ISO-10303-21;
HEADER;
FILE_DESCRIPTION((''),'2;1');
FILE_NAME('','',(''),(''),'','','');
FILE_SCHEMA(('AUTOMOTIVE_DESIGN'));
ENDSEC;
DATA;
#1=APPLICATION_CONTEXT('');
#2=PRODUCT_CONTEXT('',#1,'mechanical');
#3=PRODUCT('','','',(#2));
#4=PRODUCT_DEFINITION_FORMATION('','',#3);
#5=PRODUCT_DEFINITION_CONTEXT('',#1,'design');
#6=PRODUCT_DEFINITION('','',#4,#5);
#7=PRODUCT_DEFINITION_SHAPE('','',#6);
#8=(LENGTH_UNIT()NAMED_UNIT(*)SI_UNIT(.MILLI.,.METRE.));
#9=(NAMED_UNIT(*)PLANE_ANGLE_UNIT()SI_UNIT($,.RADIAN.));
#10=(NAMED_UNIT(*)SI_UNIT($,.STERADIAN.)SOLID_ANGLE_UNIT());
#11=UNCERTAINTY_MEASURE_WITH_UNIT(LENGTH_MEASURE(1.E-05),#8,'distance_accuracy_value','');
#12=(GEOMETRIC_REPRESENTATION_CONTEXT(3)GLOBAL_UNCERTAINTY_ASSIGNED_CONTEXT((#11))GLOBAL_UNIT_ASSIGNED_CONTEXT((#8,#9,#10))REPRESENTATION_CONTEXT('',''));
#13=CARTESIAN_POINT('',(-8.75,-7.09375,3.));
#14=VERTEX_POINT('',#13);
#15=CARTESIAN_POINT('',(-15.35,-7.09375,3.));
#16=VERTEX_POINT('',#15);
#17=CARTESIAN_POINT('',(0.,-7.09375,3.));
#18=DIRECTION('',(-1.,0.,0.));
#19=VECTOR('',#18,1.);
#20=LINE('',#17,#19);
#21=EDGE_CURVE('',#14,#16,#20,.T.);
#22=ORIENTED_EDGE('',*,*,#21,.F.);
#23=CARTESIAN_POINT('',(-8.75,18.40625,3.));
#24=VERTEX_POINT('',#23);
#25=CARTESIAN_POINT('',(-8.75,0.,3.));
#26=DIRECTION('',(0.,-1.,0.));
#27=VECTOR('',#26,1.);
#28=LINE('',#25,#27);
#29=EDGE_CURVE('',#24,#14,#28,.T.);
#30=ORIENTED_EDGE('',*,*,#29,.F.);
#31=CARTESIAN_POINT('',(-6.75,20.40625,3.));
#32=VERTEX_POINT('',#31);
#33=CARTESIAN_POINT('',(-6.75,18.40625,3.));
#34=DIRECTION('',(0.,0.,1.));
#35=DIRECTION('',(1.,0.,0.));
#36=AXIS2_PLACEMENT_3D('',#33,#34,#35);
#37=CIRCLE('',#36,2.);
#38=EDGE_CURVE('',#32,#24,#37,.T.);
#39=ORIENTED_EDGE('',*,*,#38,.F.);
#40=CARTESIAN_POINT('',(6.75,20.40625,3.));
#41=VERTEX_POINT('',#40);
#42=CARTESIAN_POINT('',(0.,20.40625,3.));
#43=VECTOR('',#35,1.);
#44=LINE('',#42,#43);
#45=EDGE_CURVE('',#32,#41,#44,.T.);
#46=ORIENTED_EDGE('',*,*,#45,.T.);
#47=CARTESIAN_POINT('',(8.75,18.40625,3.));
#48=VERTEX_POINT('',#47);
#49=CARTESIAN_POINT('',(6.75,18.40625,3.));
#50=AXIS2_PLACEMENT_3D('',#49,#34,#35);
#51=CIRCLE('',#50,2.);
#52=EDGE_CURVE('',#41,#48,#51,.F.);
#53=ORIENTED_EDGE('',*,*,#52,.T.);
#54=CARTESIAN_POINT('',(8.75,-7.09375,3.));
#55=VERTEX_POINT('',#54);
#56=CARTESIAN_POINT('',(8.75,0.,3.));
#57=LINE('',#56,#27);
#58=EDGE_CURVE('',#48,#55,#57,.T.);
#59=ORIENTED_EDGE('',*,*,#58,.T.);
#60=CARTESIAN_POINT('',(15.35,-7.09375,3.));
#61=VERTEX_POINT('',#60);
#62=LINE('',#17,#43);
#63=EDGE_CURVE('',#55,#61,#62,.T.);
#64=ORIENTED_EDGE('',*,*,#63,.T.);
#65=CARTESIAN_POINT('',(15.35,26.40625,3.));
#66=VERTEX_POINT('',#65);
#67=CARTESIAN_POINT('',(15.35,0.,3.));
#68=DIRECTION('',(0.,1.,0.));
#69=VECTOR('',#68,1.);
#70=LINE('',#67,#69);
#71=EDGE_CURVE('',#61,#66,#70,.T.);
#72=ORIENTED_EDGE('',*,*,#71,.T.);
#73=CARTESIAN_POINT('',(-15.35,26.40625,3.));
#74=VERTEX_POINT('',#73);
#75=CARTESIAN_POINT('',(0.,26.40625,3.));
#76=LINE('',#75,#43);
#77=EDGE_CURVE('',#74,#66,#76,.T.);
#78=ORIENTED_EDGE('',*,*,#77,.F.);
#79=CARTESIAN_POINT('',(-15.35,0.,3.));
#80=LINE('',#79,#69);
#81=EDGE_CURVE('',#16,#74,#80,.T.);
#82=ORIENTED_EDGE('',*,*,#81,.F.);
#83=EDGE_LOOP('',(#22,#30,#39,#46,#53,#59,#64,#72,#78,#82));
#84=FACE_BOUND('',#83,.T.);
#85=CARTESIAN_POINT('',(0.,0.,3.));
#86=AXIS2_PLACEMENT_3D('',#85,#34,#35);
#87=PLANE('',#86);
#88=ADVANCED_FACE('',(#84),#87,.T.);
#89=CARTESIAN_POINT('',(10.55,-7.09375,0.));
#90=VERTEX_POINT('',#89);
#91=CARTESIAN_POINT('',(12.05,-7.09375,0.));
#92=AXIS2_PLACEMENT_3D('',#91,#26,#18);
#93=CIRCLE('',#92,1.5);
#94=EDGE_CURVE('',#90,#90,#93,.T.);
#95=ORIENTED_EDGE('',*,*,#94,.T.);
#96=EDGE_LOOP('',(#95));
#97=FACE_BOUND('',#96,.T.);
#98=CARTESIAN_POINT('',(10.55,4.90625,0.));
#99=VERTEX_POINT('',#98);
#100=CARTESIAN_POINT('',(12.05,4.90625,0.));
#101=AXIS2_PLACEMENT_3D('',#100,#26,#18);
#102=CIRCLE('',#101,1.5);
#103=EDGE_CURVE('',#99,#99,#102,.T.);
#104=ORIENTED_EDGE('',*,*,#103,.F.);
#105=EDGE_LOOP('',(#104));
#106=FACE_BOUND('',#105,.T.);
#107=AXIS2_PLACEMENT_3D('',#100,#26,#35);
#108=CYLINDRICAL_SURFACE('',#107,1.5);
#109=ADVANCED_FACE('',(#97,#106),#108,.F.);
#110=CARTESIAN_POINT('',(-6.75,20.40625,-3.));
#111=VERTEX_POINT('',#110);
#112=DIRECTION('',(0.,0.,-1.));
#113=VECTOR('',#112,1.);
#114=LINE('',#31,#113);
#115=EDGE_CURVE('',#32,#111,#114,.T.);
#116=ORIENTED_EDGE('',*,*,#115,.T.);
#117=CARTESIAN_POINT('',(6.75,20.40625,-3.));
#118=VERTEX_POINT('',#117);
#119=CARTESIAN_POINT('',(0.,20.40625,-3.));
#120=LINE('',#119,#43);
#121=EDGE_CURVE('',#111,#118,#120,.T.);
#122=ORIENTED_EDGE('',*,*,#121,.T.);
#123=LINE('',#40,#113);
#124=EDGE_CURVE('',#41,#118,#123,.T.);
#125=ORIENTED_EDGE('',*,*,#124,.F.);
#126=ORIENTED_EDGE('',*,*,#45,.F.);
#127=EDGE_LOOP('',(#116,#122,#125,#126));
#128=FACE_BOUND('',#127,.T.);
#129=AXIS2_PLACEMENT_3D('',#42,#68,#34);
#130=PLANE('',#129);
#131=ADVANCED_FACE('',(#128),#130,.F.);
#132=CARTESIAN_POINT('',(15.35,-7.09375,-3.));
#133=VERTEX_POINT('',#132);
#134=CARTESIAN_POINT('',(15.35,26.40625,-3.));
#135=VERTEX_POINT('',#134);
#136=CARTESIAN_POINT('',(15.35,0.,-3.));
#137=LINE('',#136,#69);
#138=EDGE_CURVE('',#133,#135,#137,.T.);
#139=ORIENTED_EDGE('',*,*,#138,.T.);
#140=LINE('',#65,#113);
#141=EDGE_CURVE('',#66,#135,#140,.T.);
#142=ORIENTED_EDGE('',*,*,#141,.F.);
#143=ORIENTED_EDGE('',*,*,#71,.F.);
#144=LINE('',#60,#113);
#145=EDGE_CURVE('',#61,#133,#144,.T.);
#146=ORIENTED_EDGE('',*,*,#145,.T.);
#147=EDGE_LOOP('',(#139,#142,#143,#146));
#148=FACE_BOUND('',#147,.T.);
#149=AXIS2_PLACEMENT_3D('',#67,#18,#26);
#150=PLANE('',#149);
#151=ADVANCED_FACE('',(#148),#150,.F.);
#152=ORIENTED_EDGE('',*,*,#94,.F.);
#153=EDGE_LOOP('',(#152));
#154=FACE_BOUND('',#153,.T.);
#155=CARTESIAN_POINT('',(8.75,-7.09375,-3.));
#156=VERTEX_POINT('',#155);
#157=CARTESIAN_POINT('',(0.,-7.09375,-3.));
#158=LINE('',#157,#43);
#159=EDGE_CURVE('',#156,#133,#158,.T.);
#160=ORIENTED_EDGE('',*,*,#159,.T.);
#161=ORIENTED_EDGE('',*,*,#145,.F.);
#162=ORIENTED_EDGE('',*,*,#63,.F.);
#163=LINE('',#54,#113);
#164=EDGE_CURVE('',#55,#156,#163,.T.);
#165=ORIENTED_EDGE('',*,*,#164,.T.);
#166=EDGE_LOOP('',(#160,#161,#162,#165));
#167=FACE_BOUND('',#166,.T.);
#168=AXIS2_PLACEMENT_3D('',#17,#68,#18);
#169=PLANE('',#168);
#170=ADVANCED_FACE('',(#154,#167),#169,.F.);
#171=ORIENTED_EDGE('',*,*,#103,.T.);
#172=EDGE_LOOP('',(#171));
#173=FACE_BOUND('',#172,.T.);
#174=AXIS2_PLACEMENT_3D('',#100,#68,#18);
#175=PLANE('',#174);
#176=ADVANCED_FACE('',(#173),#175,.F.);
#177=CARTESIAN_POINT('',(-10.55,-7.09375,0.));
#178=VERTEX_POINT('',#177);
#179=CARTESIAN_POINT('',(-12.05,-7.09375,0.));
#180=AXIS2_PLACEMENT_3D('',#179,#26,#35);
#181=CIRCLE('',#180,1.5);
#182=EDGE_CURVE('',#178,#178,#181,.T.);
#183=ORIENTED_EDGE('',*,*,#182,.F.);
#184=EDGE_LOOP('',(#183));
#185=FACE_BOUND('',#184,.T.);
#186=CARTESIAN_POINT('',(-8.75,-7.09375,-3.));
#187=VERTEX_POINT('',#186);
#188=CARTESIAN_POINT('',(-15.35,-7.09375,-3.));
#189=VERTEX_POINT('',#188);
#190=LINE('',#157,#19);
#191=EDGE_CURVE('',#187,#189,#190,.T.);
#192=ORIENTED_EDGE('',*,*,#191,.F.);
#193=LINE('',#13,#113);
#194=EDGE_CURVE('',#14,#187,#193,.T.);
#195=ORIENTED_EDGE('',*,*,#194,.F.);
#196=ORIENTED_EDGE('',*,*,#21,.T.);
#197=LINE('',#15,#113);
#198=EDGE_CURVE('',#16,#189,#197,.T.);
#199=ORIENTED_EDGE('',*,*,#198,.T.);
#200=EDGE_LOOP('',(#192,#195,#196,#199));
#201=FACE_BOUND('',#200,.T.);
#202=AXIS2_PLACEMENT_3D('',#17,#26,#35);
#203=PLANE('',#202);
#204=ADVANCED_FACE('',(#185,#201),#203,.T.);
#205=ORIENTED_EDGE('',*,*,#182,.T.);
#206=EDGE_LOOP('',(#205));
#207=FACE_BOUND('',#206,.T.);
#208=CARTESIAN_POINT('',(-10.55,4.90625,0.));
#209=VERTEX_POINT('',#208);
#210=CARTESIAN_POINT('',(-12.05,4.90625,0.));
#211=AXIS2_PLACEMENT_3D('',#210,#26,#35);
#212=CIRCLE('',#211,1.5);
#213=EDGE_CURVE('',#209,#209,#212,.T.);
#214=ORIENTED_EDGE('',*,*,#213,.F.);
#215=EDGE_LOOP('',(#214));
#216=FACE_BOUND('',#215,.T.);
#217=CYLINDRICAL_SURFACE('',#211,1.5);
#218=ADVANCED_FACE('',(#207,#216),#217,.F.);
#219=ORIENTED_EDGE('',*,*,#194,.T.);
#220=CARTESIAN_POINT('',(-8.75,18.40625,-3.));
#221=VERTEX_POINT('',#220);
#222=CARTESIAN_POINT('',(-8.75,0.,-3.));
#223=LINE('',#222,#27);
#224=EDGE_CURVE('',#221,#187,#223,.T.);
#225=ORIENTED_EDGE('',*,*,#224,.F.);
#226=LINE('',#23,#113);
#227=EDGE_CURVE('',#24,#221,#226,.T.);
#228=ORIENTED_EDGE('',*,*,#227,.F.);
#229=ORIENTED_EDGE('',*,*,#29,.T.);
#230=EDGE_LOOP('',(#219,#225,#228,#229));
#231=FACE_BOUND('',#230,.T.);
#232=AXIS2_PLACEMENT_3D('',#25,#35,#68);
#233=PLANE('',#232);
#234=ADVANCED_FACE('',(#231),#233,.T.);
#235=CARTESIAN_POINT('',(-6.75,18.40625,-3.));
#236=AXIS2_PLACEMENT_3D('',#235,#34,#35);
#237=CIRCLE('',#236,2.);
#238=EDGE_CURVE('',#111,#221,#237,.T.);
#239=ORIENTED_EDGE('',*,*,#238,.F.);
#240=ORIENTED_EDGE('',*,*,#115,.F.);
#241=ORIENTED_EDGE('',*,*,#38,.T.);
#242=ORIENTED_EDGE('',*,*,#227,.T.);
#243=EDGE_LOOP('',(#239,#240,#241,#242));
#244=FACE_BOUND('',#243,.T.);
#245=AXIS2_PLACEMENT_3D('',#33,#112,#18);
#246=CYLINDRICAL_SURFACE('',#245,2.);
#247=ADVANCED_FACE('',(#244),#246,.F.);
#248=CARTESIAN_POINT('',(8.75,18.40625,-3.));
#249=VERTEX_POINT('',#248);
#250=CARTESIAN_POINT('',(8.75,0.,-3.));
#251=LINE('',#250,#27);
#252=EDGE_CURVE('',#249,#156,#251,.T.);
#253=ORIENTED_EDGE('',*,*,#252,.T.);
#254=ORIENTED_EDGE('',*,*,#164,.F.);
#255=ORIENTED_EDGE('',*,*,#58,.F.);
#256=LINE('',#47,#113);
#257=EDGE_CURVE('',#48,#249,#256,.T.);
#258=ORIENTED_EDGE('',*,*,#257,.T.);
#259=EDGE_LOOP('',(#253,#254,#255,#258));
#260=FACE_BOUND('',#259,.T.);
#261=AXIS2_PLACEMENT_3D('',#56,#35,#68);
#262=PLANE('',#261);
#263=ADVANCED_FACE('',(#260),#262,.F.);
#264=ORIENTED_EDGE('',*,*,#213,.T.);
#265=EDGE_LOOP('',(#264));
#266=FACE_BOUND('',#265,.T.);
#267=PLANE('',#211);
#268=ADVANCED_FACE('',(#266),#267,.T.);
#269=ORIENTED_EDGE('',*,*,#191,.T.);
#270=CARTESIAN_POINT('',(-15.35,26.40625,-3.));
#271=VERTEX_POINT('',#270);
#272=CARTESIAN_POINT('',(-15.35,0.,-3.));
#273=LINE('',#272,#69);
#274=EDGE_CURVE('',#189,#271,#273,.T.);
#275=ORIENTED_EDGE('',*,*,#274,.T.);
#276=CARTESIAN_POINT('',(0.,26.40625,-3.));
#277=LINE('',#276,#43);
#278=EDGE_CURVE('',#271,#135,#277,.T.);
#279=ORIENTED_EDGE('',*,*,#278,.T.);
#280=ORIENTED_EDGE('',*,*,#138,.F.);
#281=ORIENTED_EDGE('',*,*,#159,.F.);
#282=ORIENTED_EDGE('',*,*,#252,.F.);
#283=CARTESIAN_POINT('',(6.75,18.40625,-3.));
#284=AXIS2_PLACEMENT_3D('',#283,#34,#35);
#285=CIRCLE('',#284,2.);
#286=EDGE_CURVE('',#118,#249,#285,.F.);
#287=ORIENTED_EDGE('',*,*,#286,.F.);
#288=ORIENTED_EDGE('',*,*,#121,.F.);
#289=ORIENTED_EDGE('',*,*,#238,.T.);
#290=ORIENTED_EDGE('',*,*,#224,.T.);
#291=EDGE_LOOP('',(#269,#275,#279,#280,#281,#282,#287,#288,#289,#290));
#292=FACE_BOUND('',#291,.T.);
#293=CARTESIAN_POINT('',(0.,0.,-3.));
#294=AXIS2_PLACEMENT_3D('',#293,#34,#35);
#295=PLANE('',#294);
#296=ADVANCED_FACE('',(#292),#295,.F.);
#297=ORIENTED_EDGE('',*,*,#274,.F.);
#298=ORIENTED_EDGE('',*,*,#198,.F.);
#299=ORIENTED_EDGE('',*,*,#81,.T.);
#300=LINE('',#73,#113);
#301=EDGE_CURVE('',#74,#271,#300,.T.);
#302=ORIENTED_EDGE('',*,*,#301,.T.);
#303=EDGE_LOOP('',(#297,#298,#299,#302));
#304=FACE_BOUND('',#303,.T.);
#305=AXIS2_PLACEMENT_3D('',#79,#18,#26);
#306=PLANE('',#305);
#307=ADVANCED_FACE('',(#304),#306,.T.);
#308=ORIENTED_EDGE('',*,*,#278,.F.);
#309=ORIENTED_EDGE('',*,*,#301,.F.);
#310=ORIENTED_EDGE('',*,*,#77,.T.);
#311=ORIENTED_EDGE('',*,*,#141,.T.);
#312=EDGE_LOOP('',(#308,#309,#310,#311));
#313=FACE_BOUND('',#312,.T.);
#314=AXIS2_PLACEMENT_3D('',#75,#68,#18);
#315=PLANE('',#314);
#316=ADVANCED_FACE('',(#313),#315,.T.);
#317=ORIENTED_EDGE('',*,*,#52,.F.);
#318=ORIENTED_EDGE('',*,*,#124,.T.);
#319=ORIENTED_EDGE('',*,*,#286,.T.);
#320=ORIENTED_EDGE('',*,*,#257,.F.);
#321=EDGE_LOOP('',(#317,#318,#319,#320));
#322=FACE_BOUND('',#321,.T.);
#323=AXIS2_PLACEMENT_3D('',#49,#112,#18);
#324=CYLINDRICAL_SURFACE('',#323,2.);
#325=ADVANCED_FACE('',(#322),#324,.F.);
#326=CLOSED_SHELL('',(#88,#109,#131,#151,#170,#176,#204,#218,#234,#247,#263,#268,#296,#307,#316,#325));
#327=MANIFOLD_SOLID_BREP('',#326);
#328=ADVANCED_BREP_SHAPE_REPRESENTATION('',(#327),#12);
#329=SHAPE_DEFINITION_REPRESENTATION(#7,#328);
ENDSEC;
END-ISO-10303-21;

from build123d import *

# Parameters (mm, degrees)
BOSS_EXTRUDE1_DEPTH = 3
SKETCH2_R           = 1.5
CUT_EXTRUDE1_DEPTH  = 12


with BuildPart() as part:
    # Sketch1 → Boss-Extrude1 (new, symmetric)
    with BuildSketch(Plane.XY):
        with BuildLine():
            Line((-6.75, 20.40625), (6.75, 20.40625))
            ThreePointArc((6.75, 20.40625), (8.164213562, 19.820463562), (8.75, 18.40625))
            Line((8.75, 18.40625), (8.75, -7.09375))
            Line((8.75, -7.09375), (15.35, -7.09375))
            Line((15.35, -7.09375), (15.35, 26.40625))
            Line((15.35, 26.40625), (-15.35, 26.40625))
            Line((-15.35, 26.40625), (-15.35, -7.09375))
            Line((-15.35, -7.09375), (-8.75, -7.09375))
            Line((-8.75, -7.09375), (-8.75, 18.40625))
            ThreePointArc((-8.75, 18.40625), (-8.164213562, 19.820463562), (-6.75, 20.40625))
        make_face()
    extrude(amount=BOSS_EXTRUDE1_DEPTH, both=True)

    # Sketch2 → Cut-Extrude1 (cut)
    with BuildSketch(Plane.XZ.offset(7.09375)):
        with Locations((-12.05, 0)):
            Circle(SKETCH2_R)
        with Locations(Location((12.05, 0, 0), (0, 0, 180))):
            Circle(SKETCH2_R)
    extrude(amount=-CUT_EXTRUDE1_DEPTH, mode=Mode.SUBTRACT)


solid = part.part
